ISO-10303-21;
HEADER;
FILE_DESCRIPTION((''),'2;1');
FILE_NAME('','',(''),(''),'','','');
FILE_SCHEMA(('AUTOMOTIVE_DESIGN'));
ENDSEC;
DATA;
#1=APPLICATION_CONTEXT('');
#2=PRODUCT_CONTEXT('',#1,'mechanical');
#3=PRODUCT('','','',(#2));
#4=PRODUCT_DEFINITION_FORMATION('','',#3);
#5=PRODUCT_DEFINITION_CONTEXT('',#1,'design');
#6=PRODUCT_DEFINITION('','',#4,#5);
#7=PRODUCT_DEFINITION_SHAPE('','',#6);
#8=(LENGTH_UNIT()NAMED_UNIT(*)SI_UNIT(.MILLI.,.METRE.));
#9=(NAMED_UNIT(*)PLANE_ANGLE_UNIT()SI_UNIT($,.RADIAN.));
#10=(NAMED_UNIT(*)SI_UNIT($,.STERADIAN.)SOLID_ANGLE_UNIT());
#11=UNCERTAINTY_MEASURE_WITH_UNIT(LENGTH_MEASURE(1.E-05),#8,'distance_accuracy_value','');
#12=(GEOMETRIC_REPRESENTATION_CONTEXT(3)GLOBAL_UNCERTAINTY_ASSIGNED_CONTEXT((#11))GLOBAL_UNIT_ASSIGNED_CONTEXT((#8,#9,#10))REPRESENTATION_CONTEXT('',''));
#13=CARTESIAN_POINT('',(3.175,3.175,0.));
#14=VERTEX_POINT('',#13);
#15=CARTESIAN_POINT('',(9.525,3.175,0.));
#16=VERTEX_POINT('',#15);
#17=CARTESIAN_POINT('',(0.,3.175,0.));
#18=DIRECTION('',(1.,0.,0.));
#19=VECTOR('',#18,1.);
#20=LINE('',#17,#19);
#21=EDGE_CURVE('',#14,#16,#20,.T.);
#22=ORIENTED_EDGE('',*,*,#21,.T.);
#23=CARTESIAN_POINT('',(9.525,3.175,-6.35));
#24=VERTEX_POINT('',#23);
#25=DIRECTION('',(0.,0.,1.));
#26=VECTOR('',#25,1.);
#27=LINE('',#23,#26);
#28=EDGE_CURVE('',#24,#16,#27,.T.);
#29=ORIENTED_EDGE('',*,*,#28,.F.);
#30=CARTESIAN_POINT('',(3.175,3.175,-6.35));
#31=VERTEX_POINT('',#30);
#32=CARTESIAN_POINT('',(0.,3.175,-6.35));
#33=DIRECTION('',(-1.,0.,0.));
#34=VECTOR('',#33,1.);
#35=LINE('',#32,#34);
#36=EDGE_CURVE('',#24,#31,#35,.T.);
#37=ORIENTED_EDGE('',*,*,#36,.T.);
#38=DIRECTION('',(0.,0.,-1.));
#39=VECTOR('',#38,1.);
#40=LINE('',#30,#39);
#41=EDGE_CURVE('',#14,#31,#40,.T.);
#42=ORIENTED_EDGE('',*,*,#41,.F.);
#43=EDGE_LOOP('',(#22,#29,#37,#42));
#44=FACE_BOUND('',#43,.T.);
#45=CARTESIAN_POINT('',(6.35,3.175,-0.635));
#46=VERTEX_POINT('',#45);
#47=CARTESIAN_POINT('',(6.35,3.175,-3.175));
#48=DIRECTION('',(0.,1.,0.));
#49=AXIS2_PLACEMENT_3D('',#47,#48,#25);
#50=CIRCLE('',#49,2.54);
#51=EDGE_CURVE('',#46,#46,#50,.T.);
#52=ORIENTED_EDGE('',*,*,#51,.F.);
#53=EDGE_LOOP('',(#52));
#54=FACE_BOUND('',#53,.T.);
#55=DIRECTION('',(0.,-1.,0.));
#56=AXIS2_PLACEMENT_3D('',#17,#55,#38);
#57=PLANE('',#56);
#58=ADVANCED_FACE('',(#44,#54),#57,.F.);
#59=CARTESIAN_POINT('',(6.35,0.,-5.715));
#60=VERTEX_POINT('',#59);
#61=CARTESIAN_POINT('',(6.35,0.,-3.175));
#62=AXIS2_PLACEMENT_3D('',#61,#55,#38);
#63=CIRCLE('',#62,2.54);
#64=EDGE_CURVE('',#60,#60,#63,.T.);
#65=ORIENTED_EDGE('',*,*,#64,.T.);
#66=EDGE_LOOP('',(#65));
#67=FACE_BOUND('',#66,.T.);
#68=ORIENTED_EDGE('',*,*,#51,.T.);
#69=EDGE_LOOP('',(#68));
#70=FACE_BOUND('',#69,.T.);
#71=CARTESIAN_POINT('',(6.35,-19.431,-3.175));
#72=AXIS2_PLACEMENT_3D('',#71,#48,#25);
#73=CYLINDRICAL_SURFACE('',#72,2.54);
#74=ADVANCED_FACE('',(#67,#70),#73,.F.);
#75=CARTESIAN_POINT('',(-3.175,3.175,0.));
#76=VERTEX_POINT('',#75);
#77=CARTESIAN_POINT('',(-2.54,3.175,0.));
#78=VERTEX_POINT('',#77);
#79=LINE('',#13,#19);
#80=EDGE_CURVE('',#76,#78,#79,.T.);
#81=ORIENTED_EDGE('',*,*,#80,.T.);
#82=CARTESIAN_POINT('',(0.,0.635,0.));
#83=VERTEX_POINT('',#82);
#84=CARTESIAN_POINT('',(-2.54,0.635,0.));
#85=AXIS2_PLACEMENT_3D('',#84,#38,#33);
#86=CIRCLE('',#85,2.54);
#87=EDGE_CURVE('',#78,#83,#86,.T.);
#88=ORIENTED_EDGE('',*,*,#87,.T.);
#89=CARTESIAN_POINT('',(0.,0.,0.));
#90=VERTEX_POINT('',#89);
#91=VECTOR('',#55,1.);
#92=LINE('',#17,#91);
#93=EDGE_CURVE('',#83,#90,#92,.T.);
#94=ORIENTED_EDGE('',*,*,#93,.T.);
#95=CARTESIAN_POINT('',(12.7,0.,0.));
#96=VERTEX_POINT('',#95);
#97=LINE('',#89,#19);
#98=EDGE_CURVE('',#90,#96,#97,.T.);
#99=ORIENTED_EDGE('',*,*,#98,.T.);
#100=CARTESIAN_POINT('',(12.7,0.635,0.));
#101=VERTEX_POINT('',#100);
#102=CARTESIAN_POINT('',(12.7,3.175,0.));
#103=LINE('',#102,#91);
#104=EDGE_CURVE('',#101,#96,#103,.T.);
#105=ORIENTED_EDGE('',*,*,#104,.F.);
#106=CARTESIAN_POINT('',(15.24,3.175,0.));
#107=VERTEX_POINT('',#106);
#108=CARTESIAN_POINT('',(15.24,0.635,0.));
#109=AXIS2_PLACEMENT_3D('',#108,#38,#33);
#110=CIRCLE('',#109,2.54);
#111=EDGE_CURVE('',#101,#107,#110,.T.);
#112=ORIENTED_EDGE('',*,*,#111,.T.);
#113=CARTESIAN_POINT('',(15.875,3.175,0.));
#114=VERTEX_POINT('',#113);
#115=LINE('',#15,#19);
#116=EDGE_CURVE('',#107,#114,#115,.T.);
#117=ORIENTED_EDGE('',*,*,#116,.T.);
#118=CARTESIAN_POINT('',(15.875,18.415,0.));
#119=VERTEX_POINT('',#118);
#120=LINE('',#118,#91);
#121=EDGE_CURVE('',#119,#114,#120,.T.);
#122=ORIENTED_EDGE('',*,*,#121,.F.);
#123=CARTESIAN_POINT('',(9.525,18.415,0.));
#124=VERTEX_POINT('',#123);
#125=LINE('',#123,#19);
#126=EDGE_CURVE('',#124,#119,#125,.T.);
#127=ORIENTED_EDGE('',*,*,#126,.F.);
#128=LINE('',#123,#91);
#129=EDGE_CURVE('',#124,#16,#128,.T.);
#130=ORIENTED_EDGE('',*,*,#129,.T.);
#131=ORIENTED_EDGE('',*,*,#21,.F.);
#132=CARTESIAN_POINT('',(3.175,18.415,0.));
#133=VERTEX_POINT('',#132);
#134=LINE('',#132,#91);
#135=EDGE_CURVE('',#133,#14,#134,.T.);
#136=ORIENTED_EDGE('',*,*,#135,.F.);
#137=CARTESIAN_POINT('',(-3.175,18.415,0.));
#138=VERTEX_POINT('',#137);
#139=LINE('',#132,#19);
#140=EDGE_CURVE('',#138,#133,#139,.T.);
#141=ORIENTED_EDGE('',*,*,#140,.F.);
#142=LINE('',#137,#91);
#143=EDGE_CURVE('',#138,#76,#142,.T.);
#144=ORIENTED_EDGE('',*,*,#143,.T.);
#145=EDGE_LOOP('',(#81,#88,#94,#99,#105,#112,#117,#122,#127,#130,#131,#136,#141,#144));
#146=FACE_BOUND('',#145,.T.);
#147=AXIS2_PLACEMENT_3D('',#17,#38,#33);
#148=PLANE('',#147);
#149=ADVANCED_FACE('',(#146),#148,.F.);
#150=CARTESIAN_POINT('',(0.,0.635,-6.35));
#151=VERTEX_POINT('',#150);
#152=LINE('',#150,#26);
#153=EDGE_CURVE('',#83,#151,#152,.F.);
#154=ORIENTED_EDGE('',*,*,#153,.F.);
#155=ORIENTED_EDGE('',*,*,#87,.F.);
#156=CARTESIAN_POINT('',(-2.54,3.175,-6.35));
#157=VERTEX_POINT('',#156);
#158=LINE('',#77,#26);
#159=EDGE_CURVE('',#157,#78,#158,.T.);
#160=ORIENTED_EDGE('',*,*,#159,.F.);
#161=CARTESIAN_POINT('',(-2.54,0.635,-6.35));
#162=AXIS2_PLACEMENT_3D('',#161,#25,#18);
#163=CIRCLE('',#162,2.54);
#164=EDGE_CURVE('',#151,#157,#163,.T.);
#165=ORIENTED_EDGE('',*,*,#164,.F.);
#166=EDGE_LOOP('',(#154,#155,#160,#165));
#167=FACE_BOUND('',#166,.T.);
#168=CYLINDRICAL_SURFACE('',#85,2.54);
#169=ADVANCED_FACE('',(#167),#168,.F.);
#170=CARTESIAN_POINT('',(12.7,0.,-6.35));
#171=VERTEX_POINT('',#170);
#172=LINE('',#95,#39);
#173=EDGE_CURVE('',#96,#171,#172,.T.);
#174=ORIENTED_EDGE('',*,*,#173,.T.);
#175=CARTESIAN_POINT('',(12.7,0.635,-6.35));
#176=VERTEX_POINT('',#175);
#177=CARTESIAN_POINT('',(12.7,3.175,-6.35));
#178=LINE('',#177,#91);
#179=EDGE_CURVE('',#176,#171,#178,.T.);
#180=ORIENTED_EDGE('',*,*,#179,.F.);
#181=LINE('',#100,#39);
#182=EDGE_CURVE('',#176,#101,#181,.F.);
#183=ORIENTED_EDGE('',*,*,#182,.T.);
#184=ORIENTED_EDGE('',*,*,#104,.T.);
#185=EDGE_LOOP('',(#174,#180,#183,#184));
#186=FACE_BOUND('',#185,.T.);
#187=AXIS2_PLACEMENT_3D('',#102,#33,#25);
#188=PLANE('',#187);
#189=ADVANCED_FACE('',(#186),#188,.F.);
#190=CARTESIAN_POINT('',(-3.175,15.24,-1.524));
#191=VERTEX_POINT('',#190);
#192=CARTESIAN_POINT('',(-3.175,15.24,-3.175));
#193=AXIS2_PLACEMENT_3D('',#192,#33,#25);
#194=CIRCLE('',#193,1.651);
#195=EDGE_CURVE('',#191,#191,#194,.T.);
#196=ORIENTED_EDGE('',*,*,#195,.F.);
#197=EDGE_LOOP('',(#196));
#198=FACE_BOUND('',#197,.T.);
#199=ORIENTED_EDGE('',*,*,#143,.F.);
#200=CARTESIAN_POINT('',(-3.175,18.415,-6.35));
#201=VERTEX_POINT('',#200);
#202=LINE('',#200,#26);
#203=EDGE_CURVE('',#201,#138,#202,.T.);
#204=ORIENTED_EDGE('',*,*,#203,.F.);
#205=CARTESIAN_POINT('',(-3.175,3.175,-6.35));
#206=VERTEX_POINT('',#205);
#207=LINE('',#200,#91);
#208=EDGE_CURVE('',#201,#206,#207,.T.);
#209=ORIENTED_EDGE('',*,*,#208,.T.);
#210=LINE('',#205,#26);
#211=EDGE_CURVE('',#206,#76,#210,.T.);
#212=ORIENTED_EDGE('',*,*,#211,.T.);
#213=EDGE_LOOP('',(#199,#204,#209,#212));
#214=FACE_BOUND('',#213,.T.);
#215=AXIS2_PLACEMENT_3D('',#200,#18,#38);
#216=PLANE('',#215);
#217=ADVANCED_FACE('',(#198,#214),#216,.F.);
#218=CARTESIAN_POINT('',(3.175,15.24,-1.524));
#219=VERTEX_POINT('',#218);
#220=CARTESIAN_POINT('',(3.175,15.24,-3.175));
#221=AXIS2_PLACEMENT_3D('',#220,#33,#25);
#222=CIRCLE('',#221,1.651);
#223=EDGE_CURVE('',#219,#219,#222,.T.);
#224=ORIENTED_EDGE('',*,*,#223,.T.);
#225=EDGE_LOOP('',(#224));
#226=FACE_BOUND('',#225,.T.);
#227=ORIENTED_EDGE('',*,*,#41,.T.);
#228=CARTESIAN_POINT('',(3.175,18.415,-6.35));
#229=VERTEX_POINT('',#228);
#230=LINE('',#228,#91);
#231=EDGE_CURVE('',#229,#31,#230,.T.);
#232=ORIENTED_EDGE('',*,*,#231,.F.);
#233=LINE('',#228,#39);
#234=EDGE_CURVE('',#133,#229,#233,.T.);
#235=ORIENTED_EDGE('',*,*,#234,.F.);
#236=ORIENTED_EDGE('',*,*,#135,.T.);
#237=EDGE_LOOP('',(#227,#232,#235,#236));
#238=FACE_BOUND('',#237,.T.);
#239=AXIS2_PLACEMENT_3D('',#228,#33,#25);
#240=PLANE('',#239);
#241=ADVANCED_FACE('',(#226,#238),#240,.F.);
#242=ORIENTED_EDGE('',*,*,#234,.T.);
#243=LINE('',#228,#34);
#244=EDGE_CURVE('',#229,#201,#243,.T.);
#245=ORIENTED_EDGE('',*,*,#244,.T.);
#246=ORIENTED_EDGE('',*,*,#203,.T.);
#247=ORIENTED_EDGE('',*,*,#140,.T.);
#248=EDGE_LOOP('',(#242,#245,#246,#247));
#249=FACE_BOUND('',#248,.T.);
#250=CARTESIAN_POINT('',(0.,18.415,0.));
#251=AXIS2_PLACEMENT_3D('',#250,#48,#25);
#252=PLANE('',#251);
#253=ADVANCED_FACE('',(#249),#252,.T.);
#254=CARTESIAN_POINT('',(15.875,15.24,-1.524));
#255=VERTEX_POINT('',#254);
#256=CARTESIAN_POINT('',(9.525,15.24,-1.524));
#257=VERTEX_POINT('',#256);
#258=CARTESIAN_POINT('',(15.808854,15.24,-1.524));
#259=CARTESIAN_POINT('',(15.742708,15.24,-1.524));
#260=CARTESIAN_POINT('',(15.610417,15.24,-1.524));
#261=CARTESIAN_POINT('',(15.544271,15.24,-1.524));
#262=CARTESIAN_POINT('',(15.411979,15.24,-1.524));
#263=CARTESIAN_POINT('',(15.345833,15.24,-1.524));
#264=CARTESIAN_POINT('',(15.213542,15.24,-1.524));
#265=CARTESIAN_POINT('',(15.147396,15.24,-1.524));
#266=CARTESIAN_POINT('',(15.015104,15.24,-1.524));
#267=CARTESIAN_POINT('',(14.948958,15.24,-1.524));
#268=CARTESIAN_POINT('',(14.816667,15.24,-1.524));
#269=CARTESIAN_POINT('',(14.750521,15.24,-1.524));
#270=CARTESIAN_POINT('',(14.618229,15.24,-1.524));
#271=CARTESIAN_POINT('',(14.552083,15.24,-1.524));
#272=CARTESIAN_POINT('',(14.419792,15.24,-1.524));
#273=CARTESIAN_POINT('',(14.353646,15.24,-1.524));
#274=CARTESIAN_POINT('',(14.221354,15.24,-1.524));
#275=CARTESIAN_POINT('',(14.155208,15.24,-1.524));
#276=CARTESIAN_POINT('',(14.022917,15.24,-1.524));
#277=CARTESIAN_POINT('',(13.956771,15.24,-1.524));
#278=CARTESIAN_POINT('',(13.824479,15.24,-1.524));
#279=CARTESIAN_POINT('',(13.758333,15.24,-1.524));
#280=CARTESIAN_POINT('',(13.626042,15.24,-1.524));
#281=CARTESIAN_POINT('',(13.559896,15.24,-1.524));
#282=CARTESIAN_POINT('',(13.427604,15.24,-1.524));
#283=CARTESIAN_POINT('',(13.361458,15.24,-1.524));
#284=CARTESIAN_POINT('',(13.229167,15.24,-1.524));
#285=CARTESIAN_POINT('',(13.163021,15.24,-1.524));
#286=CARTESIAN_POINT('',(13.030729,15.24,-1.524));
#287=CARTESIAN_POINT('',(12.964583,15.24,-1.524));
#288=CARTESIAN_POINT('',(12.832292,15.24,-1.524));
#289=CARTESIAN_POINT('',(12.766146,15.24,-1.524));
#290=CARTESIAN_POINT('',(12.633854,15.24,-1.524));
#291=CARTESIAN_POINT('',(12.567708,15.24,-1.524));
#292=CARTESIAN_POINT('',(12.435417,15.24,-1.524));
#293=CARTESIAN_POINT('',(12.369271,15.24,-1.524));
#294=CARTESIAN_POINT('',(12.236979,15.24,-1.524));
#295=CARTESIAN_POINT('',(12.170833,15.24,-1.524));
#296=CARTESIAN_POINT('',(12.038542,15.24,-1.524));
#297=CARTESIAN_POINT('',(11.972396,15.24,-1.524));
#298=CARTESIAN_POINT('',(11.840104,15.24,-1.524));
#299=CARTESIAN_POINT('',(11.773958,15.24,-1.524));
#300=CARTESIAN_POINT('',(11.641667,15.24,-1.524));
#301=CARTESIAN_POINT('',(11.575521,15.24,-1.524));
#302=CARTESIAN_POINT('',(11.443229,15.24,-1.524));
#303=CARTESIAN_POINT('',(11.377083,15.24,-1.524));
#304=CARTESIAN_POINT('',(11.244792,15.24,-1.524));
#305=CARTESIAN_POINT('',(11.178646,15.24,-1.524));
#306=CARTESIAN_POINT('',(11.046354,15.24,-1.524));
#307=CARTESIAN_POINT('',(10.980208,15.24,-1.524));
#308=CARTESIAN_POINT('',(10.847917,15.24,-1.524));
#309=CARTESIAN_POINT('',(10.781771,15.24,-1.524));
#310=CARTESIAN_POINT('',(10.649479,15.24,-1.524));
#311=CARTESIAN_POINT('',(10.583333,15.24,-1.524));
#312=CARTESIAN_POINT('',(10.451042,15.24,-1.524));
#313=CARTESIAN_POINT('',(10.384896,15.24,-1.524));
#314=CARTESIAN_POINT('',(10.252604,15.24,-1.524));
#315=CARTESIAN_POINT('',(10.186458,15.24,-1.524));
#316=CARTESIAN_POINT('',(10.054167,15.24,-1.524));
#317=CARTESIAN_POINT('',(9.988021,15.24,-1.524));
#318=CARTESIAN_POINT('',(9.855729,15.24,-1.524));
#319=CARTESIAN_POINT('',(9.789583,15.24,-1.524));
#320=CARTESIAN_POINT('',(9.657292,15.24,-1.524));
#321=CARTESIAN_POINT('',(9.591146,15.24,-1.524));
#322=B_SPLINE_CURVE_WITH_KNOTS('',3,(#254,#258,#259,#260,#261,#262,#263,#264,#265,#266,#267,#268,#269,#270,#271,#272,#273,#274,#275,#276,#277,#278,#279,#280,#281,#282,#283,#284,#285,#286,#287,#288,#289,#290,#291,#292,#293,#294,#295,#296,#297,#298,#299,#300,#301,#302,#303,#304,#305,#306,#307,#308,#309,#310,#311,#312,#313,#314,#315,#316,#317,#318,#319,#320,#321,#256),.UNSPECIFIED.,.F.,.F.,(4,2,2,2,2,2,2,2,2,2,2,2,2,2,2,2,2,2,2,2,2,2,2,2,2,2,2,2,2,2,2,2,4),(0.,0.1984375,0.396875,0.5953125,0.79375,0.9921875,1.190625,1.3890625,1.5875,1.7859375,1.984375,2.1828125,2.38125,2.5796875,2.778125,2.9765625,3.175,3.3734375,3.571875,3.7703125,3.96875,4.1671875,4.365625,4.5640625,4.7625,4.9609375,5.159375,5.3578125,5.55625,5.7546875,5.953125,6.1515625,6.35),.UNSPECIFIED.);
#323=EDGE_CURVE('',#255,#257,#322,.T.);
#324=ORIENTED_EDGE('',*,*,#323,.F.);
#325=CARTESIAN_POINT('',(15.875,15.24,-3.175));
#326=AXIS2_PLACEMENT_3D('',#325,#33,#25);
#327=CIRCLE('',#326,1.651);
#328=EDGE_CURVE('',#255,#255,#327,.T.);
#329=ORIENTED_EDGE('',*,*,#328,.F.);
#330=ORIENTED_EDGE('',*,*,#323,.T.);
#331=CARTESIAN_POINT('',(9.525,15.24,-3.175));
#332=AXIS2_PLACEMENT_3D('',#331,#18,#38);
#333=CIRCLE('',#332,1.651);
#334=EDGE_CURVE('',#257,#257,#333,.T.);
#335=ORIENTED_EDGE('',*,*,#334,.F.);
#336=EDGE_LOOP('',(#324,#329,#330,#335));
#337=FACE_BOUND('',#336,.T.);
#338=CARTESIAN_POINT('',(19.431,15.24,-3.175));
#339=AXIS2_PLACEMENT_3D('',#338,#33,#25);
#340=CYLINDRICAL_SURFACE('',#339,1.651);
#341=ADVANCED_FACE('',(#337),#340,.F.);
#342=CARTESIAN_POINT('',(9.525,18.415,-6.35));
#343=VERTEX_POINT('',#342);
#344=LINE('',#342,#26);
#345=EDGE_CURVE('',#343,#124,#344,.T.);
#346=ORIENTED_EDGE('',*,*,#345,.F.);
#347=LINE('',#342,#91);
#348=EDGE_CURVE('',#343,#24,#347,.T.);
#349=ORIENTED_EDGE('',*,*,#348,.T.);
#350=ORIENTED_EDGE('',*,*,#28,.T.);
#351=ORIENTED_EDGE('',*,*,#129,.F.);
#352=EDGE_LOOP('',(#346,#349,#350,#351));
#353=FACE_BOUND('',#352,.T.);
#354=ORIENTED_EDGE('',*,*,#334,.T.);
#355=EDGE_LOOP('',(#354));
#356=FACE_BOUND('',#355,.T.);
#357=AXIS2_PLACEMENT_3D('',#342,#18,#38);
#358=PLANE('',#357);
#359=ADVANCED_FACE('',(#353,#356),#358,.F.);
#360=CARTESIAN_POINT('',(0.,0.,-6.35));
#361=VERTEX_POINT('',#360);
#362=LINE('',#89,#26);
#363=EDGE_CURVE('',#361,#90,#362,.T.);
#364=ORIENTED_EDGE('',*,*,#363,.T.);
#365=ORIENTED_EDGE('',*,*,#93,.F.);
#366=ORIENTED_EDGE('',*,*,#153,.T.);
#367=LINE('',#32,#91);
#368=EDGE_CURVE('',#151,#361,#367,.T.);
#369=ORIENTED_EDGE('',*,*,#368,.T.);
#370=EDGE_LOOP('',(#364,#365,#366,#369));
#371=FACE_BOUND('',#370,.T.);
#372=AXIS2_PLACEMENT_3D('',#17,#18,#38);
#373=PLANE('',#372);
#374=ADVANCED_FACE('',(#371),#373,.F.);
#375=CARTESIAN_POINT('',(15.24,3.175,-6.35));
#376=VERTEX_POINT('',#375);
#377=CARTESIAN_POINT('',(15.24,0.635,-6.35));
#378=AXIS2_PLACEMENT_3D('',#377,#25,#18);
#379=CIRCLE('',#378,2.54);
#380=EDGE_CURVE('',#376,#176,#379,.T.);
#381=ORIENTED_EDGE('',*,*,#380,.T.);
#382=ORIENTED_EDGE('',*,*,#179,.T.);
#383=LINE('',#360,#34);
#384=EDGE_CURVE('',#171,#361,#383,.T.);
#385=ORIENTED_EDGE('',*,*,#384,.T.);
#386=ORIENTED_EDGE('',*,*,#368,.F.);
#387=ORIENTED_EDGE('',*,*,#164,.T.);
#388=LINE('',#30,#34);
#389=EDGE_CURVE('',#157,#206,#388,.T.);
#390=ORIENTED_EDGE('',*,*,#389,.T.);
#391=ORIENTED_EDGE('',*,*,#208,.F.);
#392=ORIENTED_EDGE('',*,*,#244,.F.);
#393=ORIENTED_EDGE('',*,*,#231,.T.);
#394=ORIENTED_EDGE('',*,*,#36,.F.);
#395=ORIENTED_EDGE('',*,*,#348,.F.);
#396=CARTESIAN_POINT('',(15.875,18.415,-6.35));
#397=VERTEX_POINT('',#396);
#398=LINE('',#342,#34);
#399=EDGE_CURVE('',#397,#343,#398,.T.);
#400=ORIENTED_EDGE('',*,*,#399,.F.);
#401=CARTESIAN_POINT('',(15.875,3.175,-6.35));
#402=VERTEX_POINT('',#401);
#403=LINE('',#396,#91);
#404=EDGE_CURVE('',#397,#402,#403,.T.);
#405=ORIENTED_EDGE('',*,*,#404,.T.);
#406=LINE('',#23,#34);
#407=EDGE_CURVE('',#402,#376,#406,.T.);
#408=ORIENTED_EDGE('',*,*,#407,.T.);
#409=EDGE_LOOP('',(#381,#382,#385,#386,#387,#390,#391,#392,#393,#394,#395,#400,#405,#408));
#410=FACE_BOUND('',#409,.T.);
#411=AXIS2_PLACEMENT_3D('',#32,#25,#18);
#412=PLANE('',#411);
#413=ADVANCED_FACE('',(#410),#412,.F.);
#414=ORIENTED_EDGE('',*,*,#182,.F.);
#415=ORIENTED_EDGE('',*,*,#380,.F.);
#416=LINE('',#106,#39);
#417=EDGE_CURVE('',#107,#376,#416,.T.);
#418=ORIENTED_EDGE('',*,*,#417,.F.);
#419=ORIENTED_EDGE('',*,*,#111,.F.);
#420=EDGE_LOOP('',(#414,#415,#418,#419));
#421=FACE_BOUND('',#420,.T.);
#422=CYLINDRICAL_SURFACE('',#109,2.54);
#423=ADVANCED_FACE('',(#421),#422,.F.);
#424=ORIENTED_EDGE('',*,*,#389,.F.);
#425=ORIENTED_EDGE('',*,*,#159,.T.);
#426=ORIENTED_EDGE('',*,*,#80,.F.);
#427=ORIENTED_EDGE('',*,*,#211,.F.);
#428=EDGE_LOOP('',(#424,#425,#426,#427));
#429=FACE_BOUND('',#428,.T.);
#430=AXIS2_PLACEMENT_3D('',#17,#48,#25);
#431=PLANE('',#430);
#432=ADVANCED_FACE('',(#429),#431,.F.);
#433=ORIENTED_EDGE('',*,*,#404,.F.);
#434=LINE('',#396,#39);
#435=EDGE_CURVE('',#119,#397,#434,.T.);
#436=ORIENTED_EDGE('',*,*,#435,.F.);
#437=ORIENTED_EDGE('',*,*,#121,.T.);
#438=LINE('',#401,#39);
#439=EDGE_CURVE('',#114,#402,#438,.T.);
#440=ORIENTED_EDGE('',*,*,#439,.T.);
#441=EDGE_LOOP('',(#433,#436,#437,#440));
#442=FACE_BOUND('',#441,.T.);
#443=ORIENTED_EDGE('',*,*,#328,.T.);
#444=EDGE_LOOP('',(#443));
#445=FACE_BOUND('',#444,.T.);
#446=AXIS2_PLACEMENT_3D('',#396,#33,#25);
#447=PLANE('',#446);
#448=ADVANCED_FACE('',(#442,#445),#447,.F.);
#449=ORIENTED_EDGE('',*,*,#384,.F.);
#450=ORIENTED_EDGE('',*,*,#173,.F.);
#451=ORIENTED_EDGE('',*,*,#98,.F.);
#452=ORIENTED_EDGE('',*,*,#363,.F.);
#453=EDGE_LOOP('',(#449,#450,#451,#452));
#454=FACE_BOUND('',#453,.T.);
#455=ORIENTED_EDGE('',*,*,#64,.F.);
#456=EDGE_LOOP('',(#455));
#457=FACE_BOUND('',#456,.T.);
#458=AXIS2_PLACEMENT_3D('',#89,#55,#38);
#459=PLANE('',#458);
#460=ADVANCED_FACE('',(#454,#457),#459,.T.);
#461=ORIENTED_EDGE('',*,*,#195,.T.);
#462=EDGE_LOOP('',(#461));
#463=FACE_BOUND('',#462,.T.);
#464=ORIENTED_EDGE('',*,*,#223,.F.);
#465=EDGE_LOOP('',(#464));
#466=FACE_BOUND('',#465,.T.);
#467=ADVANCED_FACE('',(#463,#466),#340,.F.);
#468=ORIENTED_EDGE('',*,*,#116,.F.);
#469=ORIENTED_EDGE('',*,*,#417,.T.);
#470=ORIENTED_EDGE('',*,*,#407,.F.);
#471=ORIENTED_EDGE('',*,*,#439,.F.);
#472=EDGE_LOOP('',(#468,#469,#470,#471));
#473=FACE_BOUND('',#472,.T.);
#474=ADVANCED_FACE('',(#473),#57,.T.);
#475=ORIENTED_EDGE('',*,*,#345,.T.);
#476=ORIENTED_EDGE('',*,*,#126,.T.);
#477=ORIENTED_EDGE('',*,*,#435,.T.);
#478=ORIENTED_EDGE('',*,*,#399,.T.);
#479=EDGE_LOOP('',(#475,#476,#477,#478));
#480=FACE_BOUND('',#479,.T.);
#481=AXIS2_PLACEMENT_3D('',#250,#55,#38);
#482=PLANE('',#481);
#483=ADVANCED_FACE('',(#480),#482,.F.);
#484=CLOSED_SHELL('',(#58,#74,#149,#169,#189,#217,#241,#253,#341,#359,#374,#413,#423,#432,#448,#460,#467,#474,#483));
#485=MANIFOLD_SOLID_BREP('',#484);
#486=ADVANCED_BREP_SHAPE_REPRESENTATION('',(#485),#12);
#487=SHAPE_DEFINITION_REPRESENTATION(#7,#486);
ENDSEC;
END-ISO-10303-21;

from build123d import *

# Parameters (mm, degrees)
SKETCH1_W           = 12.7
SKETCH1_H           = 6.35
BOSS_EXTRUDE1_DEPTH = 3.175
SKETCH2_W           = 6.35
SKETCH2_H           = 6.35
BOSS_EXTRUDE2_DEPTH = 15.24
FILLET1_R           = 2.54
SKETCH3_R           = 1.651
CUT_EXTRUDE1_DEPTH  = 22.606
SKETCH4_R           = 2.54
CUT_EXTRUDE2_DEPTH  = 22.606


with BuildPart() as part:
    # Sketch1 → Boss-Extrude1 (new body)
    with BuildSketch(Plane(origin=(0, 0, 0), x_dir=(1, 0, 0), z_dir=(0, 1, 0))):
        with Locations((6.35, 3.175)):
            Rectangle(SKETCH1_W, SKETCH1_H)
    extrude(amount=BOSS_EXTRUDE1_DEPTH)

    # Sketch2 → Boss-Extrude2 (add)
    with BuildSketch(Plane(origin=(0, 3.175, 0), x_dir=(1, 0, 0), z_dir=(0, 1, 0))):
        with Locations((0, 3.175)):
            Rectangle(SKETCH2_W, SKETCH2_H)
        with Locations((12.7, 3.175)):
            Rectangle(SKETCH2_W, SKETCH2_H)
    extrude(amount=BOSS_EXTRUDE2_DEPTH)

    # Fillet1
    fillet1_edges = [part.edges().sort_by_distance(p)[0] for p in [
        (12.7, 3.175, -3.175),
        (0, 3.175, -3.175),
    ]]
    fillet(fillet1_edges, radius=FILLET1_R)

    # Sketch3 → Cut-Extrude1 (cut)
    with BuildSketch(Plane.ZY.offset(3.175)):
        with Locations((-3.175, 15.24)):
            Circle(SKETCH3_R)
    extrude(amount=-CUT_EXTRUDE1_DEPTH, mode=Mode.SUBTRACT)

    # Sketch4 → Cut-Extrude2 (cut)
    with BuildSketch(Plane(origin=(0, 3.175, 0), x_dir=(1, 0, 0), z_dir=(0, 1, 0))):
        with Locations(Location((6.35, 3.175, 0), (0, 0, 270))):
            Circle(SKETCH4_R)
    extrude(amount=-CUT_EXTRUDE2_DEPTH, mode=Mode.SUBTRACT)


solid = part.part
